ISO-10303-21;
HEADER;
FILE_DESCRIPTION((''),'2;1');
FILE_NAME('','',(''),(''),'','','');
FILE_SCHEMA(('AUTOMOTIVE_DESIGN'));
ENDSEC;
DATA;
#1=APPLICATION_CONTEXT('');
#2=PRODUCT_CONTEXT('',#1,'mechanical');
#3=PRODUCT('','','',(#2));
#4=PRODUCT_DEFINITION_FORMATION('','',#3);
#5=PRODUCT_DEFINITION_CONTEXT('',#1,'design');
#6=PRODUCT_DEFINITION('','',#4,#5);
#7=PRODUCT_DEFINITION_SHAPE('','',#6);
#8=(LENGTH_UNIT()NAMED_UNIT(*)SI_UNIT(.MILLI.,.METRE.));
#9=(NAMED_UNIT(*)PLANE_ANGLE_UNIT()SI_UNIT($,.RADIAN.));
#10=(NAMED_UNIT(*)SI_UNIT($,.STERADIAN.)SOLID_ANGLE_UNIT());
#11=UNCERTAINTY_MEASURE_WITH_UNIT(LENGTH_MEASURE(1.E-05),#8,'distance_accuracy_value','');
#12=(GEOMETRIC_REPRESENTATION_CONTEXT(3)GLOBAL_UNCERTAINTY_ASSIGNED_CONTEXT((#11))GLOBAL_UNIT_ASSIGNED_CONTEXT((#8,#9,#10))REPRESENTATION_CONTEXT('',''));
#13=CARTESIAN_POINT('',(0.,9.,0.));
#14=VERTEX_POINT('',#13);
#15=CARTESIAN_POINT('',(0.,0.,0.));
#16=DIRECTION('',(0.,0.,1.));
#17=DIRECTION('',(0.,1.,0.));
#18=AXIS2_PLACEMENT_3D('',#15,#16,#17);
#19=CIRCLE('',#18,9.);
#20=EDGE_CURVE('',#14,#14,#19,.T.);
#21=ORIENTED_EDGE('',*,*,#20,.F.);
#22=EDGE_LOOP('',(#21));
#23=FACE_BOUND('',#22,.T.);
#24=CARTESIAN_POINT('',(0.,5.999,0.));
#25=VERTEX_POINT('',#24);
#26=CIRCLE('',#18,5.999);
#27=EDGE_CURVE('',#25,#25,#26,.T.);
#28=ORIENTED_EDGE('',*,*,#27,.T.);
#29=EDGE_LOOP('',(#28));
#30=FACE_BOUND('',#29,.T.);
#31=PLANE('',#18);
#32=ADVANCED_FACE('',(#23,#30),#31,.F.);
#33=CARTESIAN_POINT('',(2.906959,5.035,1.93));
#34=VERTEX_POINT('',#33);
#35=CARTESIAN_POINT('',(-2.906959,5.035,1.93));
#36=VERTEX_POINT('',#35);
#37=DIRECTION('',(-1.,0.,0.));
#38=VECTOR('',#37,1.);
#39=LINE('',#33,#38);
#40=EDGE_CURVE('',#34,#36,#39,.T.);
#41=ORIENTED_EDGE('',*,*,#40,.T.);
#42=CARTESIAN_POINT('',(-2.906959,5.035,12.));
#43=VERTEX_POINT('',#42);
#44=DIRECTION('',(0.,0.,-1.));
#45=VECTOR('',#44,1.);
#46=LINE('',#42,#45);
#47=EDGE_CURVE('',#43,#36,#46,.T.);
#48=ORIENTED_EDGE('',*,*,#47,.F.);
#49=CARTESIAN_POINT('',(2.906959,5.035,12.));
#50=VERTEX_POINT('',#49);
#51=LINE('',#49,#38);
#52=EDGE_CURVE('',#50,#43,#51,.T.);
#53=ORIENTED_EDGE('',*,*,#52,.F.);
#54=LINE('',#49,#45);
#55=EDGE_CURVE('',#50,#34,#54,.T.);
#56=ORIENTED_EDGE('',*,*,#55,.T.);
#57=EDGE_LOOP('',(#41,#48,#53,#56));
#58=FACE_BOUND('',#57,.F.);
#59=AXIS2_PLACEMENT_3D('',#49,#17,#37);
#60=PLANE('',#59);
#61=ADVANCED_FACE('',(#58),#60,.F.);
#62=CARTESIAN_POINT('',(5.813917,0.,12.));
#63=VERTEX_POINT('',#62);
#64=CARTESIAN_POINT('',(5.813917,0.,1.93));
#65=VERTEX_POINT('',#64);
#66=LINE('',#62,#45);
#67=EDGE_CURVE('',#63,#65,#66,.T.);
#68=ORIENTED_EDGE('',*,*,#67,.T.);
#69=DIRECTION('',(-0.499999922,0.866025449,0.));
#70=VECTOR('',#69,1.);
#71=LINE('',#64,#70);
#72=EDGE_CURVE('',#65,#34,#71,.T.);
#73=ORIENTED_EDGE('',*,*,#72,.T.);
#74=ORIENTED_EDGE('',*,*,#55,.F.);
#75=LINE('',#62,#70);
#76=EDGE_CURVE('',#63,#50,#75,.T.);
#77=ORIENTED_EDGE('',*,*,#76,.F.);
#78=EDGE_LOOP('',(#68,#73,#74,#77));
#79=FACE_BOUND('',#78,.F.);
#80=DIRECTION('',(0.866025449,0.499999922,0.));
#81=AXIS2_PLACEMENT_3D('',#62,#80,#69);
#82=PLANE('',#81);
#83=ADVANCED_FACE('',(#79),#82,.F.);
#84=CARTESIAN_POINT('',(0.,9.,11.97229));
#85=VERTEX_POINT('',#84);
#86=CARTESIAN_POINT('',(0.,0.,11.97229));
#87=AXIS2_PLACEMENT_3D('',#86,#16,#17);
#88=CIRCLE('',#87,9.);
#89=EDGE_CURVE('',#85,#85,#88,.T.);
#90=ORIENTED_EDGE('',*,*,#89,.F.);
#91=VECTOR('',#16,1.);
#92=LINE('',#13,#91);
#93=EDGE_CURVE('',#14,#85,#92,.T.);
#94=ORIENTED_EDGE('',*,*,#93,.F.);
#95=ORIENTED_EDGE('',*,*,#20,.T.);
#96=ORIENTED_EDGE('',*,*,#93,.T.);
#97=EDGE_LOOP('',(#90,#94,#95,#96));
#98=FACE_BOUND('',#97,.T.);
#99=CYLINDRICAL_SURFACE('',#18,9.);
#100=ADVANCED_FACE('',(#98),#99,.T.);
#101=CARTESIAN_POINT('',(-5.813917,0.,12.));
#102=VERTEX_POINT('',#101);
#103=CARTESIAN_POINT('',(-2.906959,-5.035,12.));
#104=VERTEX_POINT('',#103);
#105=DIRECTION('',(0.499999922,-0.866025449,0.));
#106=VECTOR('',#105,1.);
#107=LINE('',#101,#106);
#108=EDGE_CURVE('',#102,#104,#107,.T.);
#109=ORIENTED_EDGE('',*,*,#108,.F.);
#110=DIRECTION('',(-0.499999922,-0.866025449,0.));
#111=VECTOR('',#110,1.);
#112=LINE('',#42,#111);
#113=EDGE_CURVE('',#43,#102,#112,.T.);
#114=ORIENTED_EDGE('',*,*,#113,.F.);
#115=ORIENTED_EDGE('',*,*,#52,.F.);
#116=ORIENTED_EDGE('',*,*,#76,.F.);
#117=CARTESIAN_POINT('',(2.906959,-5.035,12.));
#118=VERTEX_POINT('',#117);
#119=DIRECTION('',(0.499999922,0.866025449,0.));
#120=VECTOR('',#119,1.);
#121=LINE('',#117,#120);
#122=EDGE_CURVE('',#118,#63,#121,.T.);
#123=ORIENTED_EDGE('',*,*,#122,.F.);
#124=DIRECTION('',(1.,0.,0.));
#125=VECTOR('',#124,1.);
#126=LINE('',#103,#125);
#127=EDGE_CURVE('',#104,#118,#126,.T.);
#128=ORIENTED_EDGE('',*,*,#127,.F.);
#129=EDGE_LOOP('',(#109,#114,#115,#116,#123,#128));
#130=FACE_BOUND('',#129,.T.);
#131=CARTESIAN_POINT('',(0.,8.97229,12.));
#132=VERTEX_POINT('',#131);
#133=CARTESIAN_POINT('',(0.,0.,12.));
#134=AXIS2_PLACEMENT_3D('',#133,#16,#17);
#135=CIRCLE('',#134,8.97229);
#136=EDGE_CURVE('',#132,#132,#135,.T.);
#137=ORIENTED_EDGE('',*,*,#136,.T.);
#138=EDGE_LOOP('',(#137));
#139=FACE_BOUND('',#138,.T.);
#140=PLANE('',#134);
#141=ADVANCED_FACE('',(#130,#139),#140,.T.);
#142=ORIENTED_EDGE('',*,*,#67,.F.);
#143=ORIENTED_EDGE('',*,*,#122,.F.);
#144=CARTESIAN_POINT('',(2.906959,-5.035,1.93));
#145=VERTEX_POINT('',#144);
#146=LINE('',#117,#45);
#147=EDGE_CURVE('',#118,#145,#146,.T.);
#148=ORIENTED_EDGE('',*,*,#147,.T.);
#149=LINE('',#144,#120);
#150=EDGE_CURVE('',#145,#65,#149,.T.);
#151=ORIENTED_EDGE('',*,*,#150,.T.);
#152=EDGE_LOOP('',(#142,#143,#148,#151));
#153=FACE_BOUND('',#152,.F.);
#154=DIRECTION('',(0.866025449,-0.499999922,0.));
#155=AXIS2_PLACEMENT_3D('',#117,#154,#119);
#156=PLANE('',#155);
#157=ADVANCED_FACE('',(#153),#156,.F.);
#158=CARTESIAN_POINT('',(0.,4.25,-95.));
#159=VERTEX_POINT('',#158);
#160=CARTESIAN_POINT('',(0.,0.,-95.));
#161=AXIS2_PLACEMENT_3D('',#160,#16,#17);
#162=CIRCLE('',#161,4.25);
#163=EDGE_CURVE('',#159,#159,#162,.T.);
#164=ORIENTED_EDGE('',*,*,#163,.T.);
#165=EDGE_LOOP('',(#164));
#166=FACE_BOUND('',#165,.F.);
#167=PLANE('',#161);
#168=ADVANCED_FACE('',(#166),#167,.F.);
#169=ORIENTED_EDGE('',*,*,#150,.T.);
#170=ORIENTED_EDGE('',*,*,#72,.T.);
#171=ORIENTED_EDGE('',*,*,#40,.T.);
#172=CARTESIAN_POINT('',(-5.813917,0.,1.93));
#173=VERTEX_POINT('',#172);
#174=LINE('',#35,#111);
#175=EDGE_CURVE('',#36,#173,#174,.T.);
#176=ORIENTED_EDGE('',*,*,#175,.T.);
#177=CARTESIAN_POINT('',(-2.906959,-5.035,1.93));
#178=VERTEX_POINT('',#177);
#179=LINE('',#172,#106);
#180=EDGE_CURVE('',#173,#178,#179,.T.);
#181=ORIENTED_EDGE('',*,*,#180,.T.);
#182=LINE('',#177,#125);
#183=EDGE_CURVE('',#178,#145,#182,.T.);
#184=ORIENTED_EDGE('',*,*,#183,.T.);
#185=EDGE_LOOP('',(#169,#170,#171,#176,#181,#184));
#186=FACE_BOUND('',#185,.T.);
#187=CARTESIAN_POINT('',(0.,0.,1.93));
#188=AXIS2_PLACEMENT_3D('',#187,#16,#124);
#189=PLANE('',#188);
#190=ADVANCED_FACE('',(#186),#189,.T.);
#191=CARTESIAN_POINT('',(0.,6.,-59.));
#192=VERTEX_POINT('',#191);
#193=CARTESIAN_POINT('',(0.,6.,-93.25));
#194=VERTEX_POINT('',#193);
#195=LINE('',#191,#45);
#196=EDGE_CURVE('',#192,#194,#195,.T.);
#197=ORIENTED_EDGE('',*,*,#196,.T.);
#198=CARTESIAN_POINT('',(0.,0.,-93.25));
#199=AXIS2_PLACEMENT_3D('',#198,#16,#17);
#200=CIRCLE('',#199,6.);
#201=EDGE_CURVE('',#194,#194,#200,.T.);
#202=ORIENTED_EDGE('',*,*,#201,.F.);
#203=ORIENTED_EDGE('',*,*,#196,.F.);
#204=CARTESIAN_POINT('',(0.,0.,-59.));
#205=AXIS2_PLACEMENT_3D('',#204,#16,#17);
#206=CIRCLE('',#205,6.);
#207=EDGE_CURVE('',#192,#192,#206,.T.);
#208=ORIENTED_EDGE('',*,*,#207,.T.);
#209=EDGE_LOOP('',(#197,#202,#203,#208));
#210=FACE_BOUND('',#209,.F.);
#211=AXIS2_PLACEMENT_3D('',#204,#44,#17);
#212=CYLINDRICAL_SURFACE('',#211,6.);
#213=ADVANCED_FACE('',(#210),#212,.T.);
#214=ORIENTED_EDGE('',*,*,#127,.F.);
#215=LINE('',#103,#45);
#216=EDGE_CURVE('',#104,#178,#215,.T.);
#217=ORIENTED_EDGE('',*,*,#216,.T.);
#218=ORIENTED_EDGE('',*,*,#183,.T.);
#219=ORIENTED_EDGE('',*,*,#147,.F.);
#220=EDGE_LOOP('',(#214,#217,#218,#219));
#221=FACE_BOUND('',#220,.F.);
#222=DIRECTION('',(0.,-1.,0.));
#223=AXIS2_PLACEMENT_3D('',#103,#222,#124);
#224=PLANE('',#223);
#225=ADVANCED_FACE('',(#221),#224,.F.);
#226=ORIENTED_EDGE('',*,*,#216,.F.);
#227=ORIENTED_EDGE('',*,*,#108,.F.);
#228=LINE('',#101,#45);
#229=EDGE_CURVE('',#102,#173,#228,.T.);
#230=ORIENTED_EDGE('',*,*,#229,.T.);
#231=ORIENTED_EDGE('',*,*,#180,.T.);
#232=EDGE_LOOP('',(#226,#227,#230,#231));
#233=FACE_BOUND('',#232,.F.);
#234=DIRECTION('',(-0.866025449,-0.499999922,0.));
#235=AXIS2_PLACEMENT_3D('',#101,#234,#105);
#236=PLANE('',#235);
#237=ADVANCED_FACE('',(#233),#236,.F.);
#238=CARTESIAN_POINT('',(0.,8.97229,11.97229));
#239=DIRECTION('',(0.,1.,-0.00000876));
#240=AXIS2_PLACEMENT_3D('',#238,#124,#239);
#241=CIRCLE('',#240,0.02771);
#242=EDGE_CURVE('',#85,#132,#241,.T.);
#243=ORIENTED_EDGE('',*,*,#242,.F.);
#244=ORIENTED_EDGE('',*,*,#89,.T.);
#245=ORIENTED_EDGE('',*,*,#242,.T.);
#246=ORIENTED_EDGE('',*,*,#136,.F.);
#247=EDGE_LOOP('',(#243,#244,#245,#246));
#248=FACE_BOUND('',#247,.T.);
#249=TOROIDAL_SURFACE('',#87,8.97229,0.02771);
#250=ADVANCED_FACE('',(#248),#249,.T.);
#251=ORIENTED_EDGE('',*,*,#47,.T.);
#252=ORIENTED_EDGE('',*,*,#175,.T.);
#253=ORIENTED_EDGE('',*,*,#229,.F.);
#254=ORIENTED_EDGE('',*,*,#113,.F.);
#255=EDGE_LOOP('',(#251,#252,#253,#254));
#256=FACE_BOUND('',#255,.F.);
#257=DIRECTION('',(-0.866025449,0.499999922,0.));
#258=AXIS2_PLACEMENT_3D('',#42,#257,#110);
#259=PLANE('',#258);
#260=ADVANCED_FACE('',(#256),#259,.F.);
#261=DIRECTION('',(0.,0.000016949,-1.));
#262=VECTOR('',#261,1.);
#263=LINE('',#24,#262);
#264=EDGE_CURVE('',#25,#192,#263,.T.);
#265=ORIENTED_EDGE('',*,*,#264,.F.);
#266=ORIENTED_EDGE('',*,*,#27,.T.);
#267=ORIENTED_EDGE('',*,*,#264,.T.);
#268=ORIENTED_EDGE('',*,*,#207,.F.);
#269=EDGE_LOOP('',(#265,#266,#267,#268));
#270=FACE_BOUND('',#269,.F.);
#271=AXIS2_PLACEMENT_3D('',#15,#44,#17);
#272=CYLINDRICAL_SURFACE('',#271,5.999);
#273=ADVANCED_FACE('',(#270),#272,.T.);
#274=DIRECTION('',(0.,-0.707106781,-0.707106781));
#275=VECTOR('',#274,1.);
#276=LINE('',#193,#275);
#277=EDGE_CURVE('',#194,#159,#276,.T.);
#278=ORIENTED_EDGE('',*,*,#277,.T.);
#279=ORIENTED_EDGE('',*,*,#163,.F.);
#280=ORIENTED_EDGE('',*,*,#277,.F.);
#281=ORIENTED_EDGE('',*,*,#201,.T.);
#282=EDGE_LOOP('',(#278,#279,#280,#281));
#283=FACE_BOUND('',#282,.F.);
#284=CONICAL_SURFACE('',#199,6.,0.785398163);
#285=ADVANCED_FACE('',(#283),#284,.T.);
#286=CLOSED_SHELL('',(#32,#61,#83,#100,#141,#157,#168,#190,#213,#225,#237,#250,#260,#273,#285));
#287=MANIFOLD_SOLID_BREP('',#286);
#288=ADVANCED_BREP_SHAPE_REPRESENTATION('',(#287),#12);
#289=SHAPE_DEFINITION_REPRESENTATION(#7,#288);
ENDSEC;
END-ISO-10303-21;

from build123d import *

# Parameters (mm, degrees)
POCKET_DEPTH = 10.07


with BuildPart() as part:
    # Sketch → Revolve (revolve)
    with BuildSketch(Plane.YZ):
        with BuildLine():
            Line((5.999, 0), (9, 0))
            Line((9, 0), (9, 11.97229))
            ThreePointArc((9, 11.97229), (8.991884, 11.991884), (8.97229, 12))
            Line((8.97229, 12), (0, 12))
            Line((0, -95), (0, 12))
            Line((4.25, -95), (0, -95))
            Line((6, -93.25), (4.25, -95))
            Line((6, -59), (6, -93.25))
            Line((5.999, 0), (6, -59))
        make_face()
    revolve(axis=Axis((0, 0, 0), (0, 0, 1)))

    # Sketch001 → Pocket (cut)
    with BuildSketch(Plane.XY.offset(12)):
        Polygon((5.813917, 0), (2.906959, 5.035), (-2.906959, 5.035), (-5.813917, 0), (-2.906959, -5.035), (2.906959, -5.035), align=None)
    extrude(amount=-POCKET_DEPTH, mode=Mode.SUBTRACT)


solid = part.part
